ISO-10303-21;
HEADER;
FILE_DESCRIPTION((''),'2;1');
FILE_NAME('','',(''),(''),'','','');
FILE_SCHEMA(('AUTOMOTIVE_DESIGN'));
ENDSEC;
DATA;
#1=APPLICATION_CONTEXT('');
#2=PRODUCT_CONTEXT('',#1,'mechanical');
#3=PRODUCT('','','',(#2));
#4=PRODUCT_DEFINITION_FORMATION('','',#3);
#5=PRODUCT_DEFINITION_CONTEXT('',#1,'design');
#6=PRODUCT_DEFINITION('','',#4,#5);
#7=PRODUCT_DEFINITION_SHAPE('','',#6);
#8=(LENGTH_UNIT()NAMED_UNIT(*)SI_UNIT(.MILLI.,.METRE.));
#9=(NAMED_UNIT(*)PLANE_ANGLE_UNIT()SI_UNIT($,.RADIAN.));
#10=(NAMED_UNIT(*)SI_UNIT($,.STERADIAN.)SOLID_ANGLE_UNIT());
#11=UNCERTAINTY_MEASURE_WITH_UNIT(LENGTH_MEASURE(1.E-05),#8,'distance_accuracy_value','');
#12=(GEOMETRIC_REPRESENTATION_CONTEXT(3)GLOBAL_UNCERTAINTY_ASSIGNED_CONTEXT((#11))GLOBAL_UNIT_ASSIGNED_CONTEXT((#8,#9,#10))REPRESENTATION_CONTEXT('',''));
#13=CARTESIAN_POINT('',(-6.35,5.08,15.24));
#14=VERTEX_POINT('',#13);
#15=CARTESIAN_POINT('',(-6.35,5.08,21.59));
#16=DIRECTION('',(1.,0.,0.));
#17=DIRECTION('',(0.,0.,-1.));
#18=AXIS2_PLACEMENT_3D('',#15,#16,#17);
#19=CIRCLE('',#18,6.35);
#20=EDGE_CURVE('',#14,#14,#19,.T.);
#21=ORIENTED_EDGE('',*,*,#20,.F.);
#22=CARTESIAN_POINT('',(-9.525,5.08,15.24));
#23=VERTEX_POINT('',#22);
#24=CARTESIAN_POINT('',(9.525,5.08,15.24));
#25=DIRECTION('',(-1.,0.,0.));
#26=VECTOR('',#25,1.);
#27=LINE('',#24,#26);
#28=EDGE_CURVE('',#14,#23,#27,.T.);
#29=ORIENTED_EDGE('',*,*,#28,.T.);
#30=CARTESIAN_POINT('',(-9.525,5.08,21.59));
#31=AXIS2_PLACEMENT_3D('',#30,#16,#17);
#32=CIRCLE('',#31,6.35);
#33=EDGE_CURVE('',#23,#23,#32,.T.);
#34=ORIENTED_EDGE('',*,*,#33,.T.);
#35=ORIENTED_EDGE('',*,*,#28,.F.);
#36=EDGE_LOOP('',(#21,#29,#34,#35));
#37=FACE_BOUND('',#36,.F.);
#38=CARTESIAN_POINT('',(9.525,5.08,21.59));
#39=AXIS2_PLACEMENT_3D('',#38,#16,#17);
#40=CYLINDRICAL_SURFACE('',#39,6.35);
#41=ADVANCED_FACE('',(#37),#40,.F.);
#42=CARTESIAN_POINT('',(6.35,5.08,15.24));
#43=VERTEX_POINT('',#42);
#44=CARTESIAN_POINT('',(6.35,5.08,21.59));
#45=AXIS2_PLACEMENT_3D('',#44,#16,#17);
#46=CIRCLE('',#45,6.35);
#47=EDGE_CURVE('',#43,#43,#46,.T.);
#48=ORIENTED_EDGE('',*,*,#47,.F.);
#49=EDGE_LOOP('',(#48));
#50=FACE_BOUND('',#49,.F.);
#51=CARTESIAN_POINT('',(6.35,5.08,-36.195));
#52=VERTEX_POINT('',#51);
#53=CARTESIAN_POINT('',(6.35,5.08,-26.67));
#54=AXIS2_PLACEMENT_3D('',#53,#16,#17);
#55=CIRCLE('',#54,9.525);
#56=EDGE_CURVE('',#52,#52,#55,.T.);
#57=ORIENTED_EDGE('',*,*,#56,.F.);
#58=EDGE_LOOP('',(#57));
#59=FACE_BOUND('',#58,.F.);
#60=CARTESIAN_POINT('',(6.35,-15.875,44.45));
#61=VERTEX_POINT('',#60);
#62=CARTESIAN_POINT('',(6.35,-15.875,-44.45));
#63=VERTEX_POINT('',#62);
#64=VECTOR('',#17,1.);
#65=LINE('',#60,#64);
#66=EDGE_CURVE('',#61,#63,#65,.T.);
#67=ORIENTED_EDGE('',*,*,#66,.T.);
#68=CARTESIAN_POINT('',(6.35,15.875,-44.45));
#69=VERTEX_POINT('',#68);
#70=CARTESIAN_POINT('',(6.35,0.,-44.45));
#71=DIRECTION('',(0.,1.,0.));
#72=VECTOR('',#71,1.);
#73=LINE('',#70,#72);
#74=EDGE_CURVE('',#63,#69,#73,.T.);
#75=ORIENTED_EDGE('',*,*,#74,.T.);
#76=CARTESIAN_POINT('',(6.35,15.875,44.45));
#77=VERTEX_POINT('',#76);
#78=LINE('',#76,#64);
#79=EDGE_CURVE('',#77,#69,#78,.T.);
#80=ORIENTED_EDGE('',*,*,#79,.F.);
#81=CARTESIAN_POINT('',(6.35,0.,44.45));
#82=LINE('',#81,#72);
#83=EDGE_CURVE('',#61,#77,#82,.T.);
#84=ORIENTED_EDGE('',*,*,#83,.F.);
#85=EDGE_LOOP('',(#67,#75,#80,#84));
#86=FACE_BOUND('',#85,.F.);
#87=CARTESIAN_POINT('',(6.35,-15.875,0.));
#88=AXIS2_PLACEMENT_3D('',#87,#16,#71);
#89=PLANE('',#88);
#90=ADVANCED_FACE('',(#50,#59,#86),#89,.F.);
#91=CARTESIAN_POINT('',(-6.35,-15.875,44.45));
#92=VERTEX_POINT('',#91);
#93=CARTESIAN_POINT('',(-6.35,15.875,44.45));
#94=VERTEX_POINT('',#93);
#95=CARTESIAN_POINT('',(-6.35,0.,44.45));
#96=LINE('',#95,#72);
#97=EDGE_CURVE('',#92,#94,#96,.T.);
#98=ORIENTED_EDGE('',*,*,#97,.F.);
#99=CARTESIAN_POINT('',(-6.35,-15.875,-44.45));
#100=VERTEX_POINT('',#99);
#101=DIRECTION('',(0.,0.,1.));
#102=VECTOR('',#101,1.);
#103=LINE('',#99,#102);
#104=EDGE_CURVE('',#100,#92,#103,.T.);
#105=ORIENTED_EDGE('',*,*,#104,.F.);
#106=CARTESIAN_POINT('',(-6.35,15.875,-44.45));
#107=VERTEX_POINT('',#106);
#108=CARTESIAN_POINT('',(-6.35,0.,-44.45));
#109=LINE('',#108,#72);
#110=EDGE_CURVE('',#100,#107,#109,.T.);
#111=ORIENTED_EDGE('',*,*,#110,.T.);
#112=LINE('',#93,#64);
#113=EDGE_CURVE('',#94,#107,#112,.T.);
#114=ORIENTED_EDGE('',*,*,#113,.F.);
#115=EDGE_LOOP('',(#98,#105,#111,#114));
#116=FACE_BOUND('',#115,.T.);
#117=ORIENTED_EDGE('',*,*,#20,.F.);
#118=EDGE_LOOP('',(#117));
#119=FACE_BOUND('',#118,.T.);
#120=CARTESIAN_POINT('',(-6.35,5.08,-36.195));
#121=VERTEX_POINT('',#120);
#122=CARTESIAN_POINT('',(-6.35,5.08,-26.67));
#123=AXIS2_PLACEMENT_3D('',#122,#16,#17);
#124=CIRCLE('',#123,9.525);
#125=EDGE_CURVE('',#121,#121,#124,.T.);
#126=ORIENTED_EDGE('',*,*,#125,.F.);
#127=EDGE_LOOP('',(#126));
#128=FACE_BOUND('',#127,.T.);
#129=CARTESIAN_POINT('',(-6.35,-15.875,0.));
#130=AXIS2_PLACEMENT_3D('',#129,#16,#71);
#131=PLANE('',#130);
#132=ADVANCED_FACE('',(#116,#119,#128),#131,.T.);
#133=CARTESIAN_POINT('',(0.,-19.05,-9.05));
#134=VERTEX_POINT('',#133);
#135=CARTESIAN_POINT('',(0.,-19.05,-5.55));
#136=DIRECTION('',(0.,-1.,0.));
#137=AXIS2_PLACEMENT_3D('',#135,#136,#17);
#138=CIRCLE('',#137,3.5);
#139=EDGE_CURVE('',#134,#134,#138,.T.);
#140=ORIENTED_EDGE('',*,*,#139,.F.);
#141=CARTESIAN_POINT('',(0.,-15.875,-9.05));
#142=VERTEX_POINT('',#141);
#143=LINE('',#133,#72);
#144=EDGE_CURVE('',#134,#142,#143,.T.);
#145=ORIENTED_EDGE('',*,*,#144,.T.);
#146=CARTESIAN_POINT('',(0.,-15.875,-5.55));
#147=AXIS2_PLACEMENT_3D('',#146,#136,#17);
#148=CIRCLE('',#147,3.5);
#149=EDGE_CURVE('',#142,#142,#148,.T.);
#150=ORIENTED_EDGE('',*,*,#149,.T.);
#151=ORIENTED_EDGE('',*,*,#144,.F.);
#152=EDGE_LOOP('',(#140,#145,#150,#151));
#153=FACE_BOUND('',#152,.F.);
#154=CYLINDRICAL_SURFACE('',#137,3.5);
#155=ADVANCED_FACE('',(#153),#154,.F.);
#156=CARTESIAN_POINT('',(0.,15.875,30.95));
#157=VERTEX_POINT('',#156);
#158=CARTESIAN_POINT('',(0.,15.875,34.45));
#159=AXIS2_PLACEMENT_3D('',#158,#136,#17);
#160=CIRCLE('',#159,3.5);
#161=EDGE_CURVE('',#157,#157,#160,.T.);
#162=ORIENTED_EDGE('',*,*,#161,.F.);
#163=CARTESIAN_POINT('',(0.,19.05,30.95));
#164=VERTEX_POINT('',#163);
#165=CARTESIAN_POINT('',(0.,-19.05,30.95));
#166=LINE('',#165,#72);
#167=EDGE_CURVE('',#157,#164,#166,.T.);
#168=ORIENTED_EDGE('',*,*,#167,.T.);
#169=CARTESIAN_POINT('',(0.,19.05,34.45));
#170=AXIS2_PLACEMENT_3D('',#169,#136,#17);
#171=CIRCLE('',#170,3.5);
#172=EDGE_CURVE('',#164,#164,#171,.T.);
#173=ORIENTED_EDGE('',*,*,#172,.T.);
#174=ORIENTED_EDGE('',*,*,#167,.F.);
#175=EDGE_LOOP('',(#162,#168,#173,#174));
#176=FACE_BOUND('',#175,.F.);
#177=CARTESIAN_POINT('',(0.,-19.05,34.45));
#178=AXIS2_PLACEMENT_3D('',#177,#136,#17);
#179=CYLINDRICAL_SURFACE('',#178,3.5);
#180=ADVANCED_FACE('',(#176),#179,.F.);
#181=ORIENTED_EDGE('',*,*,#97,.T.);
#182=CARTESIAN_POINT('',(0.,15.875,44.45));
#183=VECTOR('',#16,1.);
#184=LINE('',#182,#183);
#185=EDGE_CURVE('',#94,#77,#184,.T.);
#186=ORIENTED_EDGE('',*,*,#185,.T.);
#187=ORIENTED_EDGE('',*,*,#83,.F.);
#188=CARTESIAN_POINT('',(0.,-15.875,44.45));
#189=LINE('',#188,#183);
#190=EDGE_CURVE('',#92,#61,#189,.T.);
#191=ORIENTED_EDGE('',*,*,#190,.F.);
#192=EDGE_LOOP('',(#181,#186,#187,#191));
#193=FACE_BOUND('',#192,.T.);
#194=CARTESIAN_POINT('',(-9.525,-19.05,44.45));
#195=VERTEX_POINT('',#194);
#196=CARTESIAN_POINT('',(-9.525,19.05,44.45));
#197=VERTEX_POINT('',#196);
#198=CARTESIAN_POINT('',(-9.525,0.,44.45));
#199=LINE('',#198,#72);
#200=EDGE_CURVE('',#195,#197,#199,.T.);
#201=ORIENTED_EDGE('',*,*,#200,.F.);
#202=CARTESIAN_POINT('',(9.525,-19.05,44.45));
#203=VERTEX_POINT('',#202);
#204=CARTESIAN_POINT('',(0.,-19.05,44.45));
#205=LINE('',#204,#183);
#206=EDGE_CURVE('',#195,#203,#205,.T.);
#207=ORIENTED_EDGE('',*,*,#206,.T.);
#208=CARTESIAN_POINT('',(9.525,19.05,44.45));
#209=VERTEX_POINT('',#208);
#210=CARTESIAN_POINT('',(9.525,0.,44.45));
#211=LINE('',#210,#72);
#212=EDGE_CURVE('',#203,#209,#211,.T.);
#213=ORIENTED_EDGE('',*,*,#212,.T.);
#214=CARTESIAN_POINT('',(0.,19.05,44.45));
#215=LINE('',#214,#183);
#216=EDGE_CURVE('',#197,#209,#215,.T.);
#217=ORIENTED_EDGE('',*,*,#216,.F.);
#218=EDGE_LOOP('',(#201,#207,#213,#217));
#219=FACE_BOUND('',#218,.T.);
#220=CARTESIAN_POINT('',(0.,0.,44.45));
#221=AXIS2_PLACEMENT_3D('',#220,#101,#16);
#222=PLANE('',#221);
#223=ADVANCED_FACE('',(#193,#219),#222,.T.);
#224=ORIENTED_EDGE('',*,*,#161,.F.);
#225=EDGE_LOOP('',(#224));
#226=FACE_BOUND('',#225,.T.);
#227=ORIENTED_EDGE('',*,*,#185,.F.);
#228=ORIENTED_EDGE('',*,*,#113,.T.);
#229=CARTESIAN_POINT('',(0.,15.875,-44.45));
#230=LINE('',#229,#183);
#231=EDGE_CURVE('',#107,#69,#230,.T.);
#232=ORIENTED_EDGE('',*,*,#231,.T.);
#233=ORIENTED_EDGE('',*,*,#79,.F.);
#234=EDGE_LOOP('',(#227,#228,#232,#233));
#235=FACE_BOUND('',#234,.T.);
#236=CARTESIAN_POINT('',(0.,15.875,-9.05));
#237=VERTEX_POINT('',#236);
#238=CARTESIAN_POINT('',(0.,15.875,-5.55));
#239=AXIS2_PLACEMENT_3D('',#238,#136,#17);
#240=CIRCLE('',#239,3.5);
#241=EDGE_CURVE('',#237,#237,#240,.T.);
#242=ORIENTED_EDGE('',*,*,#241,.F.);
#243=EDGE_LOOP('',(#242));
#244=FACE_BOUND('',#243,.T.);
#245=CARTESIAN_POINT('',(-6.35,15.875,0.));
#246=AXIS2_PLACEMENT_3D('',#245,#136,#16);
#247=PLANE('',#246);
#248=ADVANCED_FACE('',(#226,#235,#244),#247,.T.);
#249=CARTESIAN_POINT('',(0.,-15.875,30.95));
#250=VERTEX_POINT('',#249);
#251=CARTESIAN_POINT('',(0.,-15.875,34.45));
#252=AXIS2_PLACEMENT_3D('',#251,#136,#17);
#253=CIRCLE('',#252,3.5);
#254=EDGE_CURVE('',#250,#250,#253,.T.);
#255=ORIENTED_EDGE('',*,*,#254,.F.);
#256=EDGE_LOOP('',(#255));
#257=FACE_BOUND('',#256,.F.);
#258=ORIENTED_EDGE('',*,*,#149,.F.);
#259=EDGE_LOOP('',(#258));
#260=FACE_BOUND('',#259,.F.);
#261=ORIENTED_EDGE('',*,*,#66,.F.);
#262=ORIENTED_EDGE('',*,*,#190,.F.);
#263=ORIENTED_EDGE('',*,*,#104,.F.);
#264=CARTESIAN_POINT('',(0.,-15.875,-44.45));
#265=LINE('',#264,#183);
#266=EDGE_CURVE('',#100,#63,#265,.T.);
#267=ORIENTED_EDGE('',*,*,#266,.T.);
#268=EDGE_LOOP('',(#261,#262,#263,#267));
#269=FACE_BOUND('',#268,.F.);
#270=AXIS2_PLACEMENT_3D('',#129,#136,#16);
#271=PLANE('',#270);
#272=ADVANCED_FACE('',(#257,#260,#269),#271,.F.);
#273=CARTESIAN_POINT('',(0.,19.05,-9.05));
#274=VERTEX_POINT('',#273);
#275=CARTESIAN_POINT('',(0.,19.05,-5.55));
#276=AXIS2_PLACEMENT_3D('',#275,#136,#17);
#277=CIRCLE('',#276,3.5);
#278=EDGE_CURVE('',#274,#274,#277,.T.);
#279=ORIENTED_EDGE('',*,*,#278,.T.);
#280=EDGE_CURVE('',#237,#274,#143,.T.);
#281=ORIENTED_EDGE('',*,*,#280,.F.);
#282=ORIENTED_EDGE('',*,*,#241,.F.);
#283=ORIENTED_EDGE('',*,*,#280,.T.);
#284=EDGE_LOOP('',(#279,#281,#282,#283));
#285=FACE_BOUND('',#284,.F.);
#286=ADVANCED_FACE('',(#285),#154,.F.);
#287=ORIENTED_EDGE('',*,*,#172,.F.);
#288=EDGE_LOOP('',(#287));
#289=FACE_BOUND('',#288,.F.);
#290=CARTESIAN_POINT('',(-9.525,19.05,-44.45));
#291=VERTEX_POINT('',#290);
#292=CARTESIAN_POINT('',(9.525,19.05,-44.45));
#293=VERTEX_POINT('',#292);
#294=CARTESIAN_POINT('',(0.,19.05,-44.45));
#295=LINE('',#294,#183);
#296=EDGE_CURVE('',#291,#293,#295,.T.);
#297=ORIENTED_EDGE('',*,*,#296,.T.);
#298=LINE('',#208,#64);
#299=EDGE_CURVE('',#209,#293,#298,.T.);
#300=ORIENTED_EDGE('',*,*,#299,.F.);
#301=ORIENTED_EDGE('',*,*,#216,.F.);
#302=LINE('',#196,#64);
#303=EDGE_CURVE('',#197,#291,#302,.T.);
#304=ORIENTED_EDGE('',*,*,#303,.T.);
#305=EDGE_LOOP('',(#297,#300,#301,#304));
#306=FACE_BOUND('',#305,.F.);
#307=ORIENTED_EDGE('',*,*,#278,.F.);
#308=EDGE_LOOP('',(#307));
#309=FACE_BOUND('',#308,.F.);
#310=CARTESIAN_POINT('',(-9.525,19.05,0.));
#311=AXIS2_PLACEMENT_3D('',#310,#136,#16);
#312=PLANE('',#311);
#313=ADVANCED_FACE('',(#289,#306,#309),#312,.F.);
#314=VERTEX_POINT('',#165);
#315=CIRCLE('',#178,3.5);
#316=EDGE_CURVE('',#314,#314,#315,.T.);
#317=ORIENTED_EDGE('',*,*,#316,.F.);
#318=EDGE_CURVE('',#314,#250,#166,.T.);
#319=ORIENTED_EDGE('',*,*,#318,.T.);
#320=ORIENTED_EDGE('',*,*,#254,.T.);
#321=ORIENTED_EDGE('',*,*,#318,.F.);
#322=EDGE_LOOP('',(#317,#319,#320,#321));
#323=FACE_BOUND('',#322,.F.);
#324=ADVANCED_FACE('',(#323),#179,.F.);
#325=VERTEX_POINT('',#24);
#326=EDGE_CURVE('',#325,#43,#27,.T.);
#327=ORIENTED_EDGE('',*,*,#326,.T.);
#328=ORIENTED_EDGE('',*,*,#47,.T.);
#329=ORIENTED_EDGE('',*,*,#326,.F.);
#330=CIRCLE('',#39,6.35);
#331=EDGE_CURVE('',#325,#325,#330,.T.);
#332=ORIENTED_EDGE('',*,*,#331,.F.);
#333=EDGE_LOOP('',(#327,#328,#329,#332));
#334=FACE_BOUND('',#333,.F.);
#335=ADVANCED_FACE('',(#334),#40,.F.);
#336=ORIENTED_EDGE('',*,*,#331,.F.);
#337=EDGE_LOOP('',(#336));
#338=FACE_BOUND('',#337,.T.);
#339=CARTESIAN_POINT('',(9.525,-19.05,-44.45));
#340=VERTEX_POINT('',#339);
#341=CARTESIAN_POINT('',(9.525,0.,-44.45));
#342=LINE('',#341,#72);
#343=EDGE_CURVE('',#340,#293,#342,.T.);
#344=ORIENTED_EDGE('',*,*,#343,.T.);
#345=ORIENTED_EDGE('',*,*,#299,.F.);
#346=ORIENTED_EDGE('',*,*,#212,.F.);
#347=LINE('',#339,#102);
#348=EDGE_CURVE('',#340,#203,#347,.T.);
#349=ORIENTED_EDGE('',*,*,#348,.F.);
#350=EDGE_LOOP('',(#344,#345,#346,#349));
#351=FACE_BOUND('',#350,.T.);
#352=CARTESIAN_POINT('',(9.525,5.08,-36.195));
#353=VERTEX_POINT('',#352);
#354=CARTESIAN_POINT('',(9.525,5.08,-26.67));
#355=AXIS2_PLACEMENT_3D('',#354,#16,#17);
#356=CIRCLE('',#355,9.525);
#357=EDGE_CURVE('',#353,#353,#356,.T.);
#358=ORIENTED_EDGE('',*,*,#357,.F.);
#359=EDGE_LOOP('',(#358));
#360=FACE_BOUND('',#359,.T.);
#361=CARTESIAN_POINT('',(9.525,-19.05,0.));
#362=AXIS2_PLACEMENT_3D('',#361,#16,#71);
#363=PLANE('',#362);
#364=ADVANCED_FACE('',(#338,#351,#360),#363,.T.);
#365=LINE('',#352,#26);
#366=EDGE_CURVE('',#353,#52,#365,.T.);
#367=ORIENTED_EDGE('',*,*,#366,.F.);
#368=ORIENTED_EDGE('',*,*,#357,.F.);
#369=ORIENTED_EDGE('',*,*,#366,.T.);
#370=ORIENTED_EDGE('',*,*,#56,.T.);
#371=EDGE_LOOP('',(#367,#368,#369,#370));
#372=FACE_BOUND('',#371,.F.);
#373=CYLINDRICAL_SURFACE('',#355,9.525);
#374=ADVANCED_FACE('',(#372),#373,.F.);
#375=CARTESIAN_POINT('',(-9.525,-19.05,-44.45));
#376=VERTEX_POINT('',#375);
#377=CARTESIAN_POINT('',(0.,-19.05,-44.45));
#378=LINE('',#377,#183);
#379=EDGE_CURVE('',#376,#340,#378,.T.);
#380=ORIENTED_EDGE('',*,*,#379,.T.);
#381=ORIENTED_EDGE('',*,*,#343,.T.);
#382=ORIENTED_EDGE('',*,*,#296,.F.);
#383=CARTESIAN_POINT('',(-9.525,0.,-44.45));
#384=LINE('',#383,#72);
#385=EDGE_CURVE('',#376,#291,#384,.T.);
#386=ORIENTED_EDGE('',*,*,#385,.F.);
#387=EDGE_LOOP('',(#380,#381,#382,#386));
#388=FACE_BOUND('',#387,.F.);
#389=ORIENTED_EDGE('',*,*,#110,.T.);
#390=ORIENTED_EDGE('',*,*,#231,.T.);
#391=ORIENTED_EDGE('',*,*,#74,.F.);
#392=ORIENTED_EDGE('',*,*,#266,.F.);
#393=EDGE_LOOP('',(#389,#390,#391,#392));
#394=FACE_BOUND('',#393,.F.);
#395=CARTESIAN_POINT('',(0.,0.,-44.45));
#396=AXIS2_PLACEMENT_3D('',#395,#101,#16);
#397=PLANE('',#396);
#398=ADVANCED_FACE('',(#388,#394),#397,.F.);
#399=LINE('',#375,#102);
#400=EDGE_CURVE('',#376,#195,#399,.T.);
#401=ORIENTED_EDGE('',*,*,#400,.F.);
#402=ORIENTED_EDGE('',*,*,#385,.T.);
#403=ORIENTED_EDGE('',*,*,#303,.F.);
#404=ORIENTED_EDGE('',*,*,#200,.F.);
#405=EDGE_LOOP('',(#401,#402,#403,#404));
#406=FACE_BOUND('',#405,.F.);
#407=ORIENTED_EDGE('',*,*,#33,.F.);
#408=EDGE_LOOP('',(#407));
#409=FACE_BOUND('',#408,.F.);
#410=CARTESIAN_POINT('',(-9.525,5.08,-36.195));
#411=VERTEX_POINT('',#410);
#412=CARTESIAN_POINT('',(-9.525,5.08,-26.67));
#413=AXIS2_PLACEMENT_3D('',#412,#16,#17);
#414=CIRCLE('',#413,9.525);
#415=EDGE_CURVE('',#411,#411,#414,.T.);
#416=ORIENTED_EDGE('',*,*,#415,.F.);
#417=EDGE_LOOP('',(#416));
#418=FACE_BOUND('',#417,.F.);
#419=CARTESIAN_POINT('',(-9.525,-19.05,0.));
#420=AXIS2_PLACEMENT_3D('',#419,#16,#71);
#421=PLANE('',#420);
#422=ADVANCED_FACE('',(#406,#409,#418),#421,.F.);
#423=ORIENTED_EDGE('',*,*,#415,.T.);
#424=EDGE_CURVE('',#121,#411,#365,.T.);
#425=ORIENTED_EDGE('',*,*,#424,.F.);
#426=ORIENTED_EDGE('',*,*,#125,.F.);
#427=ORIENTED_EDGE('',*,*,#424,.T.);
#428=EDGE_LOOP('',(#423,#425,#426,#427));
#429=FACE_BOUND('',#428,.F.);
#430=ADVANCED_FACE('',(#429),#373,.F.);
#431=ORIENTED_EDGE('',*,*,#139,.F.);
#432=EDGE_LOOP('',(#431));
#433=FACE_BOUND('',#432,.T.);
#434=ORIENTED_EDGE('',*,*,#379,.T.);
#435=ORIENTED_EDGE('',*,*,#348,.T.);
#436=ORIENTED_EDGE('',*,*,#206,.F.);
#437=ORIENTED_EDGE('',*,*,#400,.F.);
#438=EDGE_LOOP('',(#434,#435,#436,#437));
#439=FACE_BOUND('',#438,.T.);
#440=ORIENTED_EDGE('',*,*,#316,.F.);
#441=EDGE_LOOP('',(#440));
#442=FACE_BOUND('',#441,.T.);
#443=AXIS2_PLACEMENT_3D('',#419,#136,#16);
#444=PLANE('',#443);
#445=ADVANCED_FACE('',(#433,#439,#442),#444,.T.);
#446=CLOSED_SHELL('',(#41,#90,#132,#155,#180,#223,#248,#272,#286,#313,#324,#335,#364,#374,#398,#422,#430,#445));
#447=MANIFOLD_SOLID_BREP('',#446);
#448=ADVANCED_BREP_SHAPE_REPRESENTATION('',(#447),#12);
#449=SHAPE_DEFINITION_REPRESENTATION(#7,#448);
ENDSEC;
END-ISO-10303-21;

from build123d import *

# Parameters (mm, degrees)
SKETCH1_W           = 19.05
SKETCH1_H           = 38.1
SKETCH1_W_2         = 12.7
SKETCH1_H_2         = 31.75
BOSS_EXTRUDE1_DEPTH = 44.45
SKETCH2_R           = 3.5
CUT_EXTRUDE1_DEPTH  = 76.2
SKETCH3_R           = 6.35
SKETCH3_R_2         = 9.525
CUT_EXTRUDE2_DEPTH  = 52.976990101


with BuildPart() as part:
    # Sketch1 → Boss-Extrude1 (new, symmetric)
    with BuildSketch(Plane.XY):
        Rectangle(SKETCH1_W, SKETCH1_H)
        Rectangle(SKETCH1_W_2, SKETCH1_H_2, mode=Mode.SUBTRACT)
    extrude(amount=BOSS_EXTRUDE1_DEPTH, both=True)

    # Sketch2 → Cut-Extrude1 (cut)
    with BuildSketch(Plane.XZ.offset(19.05)):
        with Locations(Location((0, 34.45, 0), (0, 0, 270))):
            Circle(SKETCH2_R)
        with Locations(Location((0, -5.55, 0), (0, 0, 270))):
            Circle(SKETCH2_R)
    extrude(amount=-CUT_EXTRUDE1_DEPTH, mode=Mode.SUBTRACT)

    # Sketch3 → Cut-Extrude2 (cut, through all)
    with BuildSketch(Plane(origin=(9.525, 0, 0), x_dir=(0, 0, -1), z_dir=(1, 0, 0))):
        with Locations((-21.59, 5.08)):
            Circle(SKETCH3_R)
        with Locations((26.67, 5.08)):
            Circle(SKETCH3_R_2)
    extrude(amount=-CUT_EXTRUDE2_DEPTH, mode=Mode.SUBTRACT)


solid = part.part
